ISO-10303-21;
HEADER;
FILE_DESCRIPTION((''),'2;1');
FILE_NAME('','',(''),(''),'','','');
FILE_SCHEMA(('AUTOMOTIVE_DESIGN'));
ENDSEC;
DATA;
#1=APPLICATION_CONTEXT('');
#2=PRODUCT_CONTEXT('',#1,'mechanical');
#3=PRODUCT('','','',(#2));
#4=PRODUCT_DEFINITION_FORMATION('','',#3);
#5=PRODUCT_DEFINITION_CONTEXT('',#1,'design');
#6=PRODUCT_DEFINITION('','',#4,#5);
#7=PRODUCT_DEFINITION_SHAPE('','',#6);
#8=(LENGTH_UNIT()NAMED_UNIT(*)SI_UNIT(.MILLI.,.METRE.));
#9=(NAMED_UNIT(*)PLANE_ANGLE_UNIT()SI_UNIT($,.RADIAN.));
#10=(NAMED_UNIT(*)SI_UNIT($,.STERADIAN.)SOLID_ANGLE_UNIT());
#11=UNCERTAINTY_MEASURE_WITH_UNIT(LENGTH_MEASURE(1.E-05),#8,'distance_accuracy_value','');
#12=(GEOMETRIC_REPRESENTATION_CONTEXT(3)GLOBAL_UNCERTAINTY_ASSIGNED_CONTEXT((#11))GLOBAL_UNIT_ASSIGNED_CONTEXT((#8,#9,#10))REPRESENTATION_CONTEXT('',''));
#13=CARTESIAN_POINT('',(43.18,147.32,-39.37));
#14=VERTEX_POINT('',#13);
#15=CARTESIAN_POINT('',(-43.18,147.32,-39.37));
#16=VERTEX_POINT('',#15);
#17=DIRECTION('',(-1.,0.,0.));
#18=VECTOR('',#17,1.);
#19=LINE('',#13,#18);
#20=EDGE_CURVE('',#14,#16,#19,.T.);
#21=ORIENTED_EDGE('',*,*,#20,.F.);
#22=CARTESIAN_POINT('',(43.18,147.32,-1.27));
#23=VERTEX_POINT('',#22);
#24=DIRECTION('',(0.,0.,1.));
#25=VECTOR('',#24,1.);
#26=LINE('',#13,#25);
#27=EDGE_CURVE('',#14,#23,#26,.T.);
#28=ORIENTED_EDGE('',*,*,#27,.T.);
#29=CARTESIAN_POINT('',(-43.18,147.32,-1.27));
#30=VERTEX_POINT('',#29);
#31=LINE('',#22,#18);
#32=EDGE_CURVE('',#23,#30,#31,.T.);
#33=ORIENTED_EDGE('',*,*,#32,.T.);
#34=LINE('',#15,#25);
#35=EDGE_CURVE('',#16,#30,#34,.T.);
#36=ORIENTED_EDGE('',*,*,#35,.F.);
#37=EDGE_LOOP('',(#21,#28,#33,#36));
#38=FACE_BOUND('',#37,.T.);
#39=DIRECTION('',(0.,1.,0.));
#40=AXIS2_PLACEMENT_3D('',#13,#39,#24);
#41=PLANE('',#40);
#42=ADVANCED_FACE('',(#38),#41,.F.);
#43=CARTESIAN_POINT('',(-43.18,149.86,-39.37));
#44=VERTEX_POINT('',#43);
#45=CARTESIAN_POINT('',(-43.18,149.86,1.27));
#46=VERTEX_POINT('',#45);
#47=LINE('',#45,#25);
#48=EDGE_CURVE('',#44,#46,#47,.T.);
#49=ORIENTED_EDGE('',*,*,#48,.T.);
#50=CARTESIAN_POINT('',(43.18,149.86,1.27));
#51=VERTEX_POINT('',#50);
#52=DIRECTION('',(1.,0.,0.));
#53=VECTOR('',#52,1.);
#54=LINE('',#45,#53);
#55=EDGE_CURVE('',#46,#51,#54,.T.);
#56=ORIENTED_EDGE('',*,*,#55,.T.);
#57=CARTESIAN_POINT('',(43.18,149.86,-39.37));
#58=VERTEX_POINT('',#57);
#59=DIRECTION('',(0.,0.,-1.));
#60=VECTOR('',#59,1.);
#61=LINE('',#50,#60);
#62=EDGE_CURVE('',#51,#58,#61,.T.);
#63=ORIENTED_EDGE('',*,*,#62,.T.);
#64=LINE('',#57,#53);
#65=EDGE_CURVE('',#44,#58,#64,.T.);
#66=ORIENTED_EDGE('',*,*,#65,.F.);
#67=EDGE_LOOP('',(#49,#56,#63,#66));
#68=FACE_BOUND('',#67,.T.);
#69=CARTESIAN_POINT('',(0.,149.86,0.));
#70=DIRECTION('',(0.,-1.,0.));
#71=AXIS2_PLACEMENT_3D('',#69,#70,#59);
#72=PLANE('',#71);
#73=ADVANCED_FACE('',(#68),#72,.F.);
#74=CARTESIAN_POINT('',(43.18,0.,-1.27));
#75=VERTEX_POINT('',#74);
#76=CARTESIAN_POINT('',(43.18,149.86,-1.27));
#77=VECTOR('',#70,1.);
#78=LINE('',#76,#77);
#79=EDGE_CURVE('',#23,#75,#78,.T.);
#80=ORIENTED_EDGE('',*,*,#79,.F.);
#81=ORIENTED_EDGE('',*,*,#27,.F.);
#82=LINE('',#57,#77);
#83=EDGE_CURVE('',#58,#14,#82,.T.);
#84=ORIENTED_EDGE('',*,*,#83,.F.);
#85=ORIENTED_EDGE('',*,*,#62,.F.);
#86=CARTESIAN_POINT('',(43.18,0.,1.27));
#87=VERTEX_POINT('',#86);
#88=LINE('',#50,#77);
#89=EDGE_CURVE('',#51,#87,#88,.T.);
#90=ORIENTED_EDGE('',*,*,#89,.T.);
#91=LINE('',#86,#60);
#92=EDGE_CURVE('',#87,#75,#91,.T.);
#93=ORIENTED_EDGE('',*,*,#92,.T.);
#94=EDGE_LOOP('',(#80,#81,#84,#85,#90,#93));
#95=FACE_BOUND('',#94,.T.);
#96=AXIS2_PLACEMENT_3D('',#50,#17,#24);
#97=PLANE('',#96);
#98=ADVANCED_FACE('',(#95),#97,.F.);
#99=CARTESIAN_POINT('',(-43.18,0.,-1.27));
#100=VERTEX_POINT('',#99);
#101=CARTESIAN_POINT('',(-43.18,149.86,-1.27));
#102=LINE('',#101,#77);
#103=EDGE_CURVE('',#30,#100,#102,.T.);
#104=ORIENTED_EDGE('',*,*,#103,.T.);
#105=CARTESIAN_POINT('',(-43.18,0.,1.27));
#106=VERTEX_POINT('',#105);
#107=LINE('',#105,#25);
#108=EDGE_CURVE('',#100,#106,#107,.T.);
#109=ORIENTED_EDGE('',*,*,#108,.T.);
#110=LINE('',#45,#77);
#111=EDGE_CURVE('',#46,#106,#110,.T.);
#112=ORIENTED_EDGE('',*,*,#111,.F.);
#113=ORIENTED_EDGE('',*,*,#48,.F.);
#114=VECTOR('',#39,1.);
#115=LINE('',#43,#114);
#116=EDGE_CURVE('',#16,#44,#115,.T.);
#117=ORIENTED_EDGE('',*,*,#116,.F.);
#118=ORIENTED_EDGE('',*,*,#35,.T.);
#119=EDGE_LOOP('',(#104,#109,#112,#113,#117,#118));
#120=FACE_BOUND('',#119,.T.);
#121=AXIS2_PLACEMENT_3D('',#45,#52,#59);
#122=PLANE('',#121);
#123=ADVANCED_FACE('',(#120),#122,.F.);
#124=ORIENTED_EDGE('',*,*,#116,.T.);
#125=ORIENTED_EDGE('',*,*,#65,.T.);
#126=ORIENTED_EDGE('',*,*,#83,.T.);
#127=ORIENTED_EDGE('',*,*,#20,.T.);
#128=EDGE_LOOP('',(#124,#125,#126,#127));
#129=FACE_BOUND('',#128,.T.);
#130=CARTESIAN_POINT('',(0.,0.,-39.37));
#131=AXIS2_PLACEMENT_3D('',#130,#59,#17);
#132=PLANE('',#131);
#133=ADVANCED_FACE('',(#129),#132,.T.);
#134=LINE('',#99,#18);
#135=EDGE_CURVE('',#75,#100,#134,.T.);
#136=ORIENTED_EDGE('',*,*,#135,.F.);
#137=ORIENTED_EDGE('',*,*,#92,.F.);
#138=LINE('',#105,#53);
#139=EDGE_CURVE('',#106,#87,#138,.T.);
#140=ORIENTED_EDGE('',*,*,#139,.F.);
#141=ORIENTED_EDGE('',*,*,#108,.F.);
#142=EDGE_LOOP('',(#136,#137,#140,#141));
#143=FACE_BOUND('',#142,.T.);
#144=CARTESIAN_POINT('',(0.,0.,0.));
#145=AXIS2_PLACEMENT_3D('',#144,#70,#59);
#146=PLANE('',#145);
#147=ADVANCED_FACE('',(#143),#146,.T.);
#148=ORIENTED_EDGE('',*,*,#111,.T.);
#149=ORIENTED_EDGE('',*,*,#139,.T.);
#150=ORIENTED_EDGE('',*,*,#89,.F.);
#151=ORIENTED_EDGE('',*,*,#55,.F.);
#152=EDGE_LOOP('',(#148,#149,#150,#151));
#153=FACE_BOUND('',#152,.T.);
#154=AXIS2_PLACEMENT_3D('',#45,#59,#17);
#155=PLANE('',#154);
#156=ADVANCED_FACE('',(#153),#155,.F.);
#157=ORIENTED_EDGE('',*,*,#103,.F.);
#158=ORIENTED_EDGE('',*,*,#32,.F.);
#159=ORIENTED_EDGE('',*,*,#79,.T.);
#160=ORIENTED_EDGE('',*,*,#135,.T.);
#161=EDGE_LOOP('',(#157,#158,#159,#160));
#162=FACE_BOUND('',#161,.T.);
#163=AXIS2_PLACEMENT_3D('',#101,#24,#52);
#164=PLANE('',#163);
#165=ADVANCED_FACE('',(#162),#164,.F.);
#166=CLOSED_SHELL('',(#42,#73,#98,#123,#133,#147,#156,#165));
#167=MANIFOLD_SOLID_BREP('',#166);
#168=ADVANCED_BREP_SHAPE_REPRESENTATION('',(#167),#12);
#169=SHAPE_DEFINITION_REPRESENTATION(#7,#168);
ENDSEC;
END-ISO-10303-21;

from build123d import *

# Parameters (mm, degrees)
SKETCH1_W           = 86.36
SKETCH1_H           = 2.54
BOSS_EXTRUDE1_DEPTH = 149.86
SKETCH2_W           = 86.36
SKETCH2_H           = 2.54
BOSS_EXTRUDE2_DEPTH = 38.1


with BuildPart() as part:
    # Sketch1 → Boss-Extrude1 (new body)
    with BuildSketch(Plane(origin=(0, 0, 0), x_dir=(1, 0, 0), z_dir=(0, 1, 0))):
        Rectangle(SKETCH1_W, SKETCH1_H)
    extrude(amount=BOSS_EXTRUDE1_DEPTH)

    # Sketch2 → Boss-Extrude2 (add)
    with BuildSketch(Plane(origin=(0, 0, -1.27), x_dir=(-1, 0, 0), z_dir=(0, 0, -1))):
        with Locations((0, 148.59)):
            Rectangle(SKETCH2_W, SKETCH2_H)
    extrude(amount=BOSS_EXTRUDE2_DEPTH)


solid = part.part
